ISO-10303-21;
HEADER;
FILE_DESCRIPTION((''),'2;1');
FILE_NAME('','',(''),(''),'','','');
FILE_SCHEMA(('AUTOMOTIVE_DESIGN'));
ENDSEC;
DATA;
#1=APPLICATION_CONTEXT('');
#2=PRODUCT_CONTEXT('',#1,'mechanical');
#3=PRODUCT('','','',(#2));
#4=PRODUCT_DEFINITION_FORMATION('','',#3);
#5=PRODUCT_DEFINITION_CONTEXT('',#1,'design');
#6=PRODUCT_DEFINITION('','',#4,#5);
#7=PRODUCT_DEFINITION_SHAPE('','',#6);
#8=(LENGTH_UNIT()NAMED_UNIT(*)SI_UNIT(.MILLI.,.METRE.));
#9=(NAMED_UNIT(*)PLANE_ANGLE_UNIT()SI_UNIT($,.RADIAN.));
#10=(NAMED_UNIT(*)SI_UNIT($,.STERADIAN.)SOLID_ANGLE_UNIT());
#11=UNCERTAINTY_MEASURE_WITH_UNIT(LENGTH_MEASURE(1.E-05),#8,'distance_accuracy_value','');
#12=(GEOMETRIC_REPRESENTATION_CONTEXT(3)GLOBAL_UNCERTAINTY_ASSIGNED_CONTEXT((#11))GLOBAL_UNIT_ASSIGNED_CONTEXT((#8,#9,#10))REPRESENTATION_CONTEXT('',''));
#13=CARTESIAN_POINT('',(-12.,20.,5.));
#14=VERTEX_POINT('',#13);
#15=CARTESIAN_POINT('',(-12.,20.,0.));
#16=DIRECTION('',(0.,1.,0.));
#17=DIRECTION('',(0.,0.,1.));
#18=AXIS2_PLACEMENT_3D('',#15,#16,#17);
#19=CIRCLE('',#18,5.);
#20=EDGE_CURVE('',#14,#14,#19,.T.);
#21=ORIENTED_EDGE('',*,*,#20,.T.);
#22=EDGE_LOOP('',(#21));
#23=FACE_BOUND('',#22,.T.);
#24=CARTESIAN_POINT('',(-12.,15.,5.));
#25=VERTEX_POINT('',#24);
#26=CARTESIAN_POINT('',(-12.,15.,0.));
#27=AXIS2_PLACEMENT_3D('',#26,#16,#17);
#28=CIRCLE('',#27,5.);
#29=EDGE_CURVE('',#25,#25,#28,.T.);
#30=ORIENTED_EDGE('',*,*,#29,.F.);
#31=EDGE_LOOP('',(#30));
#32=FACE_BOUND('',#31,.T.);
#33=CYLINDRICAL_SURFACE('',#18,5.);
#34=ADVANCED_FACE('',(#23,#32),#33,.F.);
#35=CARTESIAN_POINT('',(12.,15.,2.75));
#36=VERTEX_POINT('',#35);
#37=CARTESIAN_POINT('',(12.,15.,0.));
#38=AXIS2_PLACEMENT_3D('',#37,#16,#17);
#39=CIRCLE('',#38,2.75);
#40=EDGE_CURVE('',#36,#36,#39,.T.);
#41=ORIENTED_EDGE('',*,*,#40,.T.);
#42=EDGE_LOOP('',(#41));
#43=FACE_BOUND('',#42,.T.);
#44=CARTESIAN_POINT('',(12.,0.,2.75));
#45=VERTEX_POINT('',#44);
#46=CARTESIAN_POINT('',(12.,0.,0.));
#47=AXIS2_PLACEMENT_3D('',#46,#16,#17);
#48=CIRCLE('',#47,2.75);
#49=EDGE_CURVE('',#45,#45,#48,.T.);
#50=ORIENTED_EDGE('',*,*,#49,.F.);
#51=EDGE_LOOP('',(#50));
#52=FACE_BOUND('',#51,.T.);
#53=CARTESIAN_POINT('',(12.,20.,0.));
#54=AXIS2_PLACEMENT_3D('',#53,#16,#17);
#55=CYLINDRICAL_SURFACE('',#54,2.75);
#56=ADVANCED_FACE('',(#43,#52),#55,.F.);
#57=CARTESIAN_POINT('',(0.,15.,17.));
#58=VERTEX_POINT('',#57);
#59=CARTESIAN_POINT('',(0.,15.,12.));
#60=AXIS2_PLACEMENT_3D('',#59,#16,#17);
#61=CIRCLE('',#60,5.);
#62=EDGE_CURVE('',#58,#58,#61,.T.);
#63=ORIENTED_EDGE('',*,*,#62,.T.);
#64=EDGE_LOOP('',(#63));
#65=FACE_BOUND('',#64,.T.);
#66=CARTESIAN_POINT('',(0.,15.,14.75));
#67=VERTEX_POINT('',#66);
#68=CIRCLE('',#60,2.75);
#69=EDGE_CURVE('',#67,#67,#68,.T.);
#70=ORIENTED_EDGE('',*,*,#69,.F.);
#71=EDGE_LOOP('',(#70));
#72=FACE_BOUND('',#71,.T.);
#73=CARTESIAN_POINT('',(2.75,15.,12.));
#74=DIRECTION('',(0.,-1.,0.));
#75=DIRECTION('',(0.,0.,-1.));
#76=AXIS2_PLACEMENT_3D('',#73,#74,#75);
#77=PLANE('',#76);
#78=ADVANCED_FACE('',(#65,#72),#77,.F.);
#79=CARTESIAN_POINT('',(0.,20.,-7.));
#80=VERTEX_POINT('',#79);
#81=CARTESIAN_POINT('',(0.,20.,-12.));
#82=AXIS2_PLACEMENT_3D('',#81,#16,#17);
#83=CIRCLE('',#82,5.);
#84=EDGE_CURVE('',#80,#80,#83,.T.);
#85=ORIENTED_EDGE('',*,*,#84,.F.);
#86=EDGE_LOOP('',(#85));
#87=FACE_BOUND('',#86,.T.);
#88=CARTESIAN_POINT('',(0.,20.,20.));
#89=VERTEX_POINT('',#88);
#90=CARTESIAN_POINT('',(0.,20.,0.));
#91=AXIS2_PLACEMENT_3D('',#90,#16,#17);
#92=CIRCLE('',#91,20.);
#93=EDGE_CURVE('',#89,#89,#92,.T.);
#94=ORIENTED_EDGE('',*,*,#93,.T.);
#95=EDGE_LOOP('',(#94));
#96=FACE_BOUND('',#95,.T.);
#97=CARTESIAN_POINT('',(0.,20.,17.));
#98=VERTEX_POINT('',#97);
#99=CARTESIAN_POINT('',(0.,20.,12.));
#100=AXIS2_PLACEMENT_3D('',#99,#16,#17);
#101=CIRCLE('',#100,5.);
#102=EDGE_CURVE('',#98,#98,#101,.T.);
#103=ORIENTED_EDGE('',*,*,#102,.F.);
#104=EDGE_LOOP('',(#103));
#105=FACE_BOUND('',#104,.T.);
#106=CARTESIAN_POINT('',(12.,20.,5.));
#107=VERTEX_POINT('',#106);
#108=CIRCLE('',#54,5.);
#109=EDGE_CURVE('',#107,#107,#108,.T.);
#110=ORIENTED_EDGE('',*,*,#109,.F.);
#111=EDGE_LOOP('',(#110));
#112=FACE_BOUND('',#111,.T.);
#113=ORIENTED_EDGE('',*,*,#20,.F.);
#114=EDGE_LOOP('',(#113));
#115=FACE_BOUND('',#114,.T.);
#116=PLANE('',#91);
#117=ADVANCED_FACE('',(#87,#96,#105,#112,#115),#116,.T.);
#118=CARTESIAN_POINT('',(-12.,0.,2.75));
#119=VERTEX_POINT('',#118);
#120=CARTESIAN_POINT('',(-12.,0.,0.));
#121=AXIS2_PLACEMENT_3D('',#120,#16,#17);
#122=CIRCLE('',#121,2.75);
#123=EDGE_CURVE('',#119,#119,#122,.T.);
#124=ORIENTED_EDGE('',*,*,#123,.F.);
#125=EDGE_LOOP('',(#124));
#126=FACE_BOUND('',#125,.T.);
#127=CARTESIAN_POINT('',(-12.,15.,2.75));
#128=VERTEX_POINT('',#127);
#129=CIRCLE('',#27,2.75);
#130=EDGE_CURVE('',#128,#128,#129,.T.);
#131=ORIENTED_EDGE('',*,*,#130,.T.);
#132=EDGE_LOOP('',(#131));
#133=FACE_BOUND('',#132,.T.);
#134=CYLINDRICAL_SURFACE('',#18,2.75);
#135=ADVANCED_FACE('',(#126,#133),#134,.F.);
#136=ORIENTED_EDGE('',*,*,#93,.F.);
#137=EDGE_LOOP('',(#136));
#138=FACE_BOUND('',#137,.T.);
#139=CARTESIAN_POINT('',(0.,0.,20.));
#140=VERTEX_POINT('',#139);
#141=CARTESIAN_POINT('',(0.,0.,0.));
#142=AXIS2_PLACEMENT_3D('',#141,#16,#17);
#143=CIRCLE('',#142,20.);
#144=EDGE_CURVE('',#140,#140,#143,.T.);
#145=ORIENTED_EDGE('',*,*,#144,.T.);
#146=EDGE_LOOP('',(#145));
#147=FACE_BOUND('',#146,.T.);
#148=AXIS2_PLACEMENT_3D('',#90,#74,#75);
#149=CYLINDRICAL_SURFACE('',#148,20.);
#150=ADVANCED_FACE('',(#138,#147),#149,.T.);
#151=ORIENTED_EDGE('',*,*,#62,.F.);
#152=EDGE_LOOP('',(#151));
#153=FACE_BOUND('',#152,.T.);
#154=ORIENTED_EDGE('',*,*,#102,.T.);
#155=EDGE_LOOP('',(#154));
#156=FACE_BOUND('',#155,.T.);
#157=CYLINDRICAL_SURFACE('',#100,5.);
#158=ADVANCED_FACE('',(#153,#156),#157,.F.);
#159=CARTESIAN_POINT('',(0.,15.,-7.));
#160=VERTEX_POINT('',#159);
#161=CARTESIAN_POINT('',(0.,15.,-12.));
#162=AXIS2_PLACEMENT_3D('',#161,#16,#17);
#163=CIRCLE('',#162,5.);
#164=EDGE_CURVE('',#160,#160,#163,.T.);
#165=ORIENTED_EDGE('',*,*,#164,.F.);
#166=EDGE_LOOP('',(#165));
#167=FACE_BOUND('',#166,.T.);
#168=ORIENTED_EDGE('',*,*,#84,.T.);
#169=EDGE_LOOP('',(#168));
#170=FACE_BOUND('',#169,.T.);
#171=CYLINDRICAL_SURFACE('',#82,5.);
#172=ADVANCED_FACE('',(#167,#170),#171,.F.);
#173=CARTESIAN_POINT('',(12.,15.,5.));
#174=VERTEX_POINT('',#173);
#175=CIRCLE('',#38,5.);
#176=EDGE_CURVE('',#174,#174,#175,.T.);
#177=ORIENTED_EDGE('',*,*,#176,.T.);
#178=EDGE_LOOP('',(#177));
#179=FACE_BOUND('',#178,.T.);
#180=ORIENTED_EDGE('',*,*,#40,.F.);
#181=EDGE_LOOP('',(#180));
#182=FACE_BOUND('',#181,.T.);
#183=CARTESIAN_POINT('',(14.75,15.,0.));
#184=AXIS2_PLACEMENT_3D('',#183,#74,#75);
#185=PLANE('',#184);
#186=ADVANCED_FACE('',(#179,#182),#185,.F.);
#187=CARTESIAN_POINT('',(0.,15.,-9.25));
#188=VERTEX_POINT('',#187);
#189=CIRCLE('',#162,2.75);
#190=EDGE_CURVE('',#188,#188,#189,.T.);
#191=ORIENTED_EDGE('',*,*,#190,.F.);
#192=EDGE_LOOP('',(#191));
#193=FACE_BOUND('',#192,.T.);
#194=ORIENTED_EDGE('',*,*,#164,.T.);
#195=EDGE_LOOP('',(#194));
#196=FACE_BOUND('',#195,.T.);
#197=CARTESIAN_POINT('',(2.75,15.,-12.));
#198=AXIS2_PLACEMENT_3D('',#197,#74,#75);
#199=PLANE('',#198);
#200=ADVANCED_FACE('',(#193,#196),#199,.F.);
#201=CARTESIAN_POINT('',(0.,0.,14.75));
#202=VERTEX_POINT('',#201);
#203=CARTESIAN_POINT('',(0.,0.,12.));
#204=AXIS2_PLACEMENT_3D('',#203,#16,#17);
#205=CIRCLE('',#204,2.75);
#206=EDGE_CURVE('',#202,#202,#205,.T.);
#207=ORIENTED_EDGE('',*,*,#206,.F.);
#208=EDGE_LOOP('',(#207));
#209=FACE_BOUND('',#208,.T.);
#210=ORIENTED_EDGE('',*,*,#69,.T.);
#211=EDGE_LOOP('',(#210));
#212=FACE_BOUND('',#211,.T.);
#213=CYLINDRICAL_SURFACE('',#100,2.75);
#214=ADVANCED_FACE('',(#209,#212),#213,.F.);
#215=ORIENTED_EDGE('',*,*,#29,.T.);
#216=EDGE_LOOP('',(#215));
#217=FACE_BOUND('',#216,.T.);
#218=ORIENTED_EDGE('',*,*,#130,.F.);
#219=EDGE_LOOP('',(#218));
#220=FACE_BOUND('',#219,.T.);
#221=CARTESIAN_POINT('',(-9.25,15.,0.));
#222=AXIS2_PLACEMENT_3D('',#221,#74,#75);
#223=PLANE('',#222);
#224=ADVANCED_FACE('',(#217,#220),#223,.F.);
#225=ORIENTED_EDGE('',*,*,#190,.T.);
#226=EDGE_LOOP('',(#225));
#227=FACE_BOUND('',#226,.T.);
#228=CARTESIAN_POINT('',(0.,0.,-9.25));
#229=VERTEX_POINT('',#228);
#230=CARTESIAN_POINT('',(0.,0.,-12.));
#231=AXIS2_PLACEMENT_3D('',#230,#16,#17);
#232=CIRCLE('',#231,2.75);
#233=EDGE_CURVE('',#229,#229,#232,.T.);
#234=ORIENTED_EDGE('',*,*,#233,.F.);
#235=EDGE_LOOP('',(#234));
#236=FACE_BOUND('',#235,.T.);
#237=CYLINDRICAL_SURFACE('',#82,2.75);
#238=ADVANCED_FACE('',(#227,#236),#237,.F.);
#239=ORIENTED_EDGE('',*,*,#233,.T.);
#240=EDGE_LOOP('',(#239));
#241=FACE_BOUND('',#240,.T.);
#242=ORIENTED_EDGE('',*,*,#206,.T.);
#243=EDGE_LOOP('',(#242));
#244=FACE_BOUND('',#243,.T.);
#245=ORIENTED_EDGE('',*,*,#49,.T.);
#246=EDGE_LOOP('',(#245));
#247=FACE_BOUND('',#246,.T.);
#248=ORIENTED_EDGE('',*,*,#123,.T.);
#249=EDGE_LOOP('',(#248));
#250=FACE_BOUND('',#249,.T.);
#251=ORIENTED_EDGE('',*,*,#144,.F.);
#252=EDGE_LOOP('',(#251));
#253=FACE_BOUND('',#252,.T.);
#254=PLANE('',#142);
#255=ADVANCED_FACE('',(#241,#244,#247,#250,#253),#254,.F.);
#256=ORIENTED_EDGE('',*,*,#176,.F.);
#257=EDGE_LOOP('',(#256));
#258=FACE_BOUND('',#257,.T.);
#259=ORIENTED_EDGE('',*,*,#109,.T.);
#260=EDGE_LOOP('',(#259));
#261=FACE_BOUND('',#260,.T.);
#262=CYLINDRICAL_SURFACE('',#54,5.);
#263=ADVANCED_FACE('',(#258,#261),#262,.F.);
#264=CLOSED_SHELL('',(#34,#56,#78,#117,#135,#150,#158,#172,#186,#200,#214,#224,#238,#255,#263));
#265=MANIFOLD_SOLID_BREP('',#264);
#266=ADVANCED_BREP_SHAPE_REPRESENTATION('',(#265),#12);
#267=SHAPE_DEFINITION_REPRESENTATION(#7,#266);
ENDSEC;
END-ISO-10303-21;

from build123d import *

# Parameters (mm, degrees)
SKETCH1_R                               = 20
BOSS_EXTRUDE1_DEPTH                     = 20
CBORE_FOR_M5_HEX_HEAD_BOLT5_D           = 5.5
CBORE_FOR_M5_HEX_HEAD_BOLT5_CBORE_D     = 10
CBORE_FOR_M5_HEX_HEAD_BOLT5_CBORE_DEPTH = 5


with BuildPart() as part:
    # Sketch1 → Boss-Extrude1 (new body)
    with BuildSketch(Plane(origin=(0, 0, 0), x_dir=(1, 0, 0), z_dir=(0, 1, 0))):
        Circle(SKETCH1_R)
    extrude(amount=BOSS_EXTRUDE1_DEPTH)

    # CBORE for M5 Hex Head Bolt5 (through all)
    with Locations(Plane(origin=(0, 20, -12), x_dir=(0, 0, 1), z_dir=(0, 1, 0))):
        with Locations((0, 0), (12, 12), (24, 0), (12, -12)):
            CounterBoreHole(CBORE_FOR_M5_HEX_HEAD_BOLT5_D / 2, CBORE_FOR_M5_HEX_HEAD_BOLT5_CBORE_D / 2, CBORE_FOR_M5_HEX_HEAD_BOLT5_CBORE_DEPTH)


solid = part.part
